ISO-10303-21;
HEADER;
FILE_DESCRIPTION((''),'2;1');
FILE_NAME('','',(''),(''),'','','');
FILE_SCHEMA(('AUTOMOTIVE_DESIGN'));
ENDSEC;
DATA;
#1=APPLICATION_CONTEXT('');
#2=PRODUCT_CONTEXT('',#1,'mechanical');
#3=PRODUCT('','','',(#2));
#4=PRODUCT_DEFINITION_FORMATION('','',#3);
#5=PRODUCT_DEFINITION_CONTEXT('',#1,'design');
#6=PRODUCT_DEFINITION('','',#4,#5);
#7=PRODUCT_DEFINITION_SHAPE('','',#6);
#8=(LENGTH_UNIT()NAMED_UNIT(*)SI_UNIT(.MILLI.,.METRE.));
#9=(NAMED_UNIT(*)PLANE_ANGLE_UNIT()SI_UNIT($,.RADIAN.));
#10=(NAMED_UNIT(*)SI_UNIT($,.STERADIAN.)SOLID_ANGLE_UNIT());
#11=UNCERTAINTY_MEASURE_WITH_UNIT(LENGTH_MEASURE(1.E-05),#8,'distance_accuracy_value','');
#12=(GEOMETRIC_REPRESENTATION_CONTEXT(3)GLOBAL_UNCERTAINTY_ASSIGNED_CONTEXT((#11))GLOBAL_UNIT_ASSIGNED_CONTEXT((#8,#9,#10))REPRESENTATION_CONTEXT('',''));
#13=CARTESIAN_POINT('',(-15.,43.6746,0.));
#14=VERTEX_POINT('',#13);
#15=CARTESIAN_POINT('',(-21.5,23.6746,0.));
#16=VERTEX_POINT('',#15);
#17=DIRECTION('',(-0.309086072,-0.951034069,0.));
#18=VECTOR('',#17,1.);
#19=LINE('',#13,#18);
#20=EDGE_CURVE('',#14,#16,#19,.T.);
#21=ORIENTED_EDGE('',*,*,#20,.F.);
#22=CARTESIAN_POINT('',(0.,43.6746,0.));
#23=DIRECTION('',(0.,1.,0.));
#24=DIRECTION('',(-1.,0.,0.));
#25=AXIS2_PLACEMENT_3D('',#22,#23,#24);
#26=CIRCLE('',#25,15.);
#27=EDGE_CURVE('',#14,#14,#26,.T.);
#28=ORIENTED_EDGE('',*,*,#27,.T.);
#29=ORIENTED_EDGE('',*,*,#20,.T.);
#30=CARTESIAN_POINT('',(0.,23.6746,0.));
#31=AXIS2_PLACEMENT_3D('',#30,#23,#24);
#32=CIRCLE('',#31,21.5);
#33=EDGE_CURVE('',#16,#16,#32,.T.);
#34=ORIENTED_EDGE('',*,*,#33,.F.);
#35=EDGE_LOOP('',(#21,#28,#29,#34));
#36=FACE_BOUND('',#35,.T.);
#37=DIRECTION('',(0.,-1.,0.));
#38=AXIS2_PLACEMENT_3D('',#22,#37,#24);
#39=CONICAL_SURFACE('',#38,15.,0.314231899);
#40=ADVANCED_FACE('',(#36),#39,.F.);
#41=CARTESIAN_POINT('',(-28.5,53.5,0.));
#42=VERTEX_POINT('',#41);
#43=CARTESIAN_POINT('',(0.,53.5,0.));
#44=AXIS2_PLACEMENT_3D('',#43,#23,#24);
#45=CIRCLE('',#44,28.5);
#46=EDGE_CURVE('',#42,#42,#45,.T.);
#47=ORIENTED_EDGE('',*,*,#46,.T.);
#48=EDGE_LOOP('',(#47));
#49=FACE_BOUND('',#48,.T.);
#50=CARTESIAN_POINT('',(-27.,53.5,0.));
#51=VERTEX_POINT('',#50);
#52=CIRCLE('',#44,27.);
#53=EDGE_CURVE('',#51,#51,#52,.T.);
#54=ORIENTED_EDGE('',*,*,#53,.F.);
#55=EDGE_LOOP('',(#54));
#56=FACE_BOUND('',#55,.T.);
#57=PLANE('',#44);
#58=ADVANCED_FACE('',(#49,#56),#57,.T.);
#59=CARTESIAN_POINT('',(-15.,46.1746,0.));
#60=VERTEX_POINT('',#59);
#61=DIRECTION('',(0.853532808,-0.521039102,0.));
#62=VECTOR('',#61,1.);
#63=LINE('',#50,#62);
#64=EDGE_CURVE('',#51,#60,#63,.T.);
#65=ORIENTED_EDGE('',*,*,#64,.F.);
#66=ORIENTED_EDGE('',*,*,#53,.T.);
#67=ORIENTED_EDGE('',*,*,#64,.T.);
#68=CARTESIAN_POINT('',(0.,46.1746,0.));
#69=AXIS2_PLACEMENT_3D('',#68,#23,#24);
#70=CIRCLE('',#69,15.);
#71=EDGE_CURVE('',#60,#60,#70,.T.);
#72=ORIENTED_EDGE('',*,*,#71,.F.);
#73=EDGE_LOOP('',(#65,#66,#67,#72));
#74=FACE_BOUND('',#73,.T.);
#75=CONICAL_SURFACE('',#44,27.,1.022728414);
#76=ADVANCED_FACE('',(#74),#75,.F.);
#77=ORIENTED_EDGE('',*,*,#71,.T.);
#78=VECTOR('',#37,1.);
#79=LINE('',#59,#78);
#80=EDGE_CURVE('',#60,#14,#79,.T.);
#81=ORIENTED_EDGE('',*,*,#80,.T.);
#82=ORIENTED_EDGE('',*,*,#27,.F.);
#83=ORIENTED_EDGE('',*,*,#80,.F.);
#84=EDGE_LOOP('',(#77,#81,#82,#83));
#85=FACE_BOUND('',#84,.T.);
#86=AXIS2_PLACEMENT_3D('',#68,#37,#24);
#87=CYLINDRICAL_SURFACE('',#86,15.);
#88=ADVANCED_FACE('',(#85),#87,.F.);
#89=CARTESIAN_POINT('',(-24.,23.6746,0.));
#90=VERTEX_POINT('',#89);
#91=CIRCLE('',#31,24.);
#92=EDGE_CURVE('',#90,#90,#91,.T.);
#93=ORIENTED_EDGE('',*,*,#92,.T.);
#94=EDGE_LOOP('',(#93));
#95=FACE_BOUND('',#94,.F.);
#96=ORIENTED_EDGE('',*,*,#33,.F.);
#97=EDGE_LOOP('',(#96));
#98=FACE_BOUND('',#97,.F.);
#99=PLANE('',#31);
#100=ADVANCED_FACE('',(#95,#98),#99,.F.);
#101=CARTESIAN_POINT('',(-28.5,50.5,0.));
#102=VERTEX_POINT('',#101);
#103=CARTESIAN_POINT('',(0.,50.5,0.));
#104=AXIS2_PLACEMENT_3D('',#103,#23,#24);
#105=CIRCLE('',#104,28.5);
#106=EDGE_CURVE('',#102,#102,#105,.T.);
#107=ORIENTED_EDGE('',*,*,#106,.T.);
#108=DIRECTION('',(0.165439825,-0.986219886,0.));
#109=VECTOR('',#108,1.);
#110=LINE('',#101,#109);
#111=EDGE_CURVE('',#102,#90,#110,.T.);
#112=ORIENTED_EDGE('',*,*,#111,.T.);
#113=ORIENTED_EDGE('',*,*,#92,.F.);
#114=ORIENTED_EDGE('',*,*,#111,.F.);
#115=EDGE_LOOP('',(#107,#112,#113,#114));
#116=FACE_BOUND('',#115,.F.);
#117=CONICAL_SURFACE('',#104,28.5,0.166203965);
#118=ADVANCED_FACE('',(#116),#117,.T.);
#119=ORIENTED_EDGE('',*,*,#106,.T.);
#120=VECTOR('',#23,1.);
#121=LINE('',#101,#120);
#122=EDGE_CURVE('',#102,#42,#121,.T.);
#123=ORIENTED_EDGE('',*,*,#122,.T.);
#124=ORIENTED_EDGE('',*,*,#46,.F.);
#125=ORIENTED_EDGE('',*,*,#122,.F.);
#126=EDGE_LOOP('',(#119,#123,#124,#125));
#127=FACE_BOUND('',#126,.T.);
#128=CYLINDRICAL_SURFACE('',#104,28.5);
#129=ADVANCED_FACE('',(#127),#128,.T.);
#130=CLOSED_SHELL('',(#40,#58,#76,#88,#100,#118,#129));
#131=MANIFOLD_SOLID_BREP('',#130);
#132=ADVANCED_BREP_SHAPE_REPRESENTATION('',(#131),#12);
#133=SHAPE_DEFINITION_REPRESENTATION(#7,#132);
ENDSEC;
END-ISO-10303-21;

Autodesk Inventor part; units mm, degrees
ref_plane "YZ Plane" through (0, 0, 0) normal (1, 0, 0) x (0, 1, 0)
ref_plane "XZ Plane" through (0, 0, 0) normal (0, 1, 0) x (-1, 0, 0)
ref_plane "XY Plane" through (0, 0, 0) normal (0, 0, 1) x (1, 0, 0)
sketch "Boceto1" plane through (0, 0, 0) normal (0, 0, 1) x (1, 0, 0)
  line L0 (-24, 23.6746) -> (-21.5, 23.6746)
  line L1 (-28.5, 50.5) -> (-24, 23.6746)
  line L2 (-28.5, 50.5) -> (-28.5, 53.5)
  line L3 (-28.5, 53.5) -> (-27, 53.5)
  line L4 (-27, 53.5) -> (-15, 46.1746)
  line L5 (-15, 46.1746) -> (-15, 43.6746)
  line L6 (-15, 43.6746) -> (-21.5, 23.6746)
  line L7 (0, -10.7) -> (0, 64.2) projected
  point P0 (0, 0)
  dimension "d5" = 2.5
  dimension "d6" = 4.5
  dimension "d7" = 3
  dimension "d8" = 1.5
  dimension "d9" = 12
  dimension "d10" = 2.5
  dimension "d11" = 20
revolve "Revolución1" add sketch "Boceto1" angle 360 about axis through (0, -10, 0) along (0, 1, 0)
properties part number "GRAFITO"
